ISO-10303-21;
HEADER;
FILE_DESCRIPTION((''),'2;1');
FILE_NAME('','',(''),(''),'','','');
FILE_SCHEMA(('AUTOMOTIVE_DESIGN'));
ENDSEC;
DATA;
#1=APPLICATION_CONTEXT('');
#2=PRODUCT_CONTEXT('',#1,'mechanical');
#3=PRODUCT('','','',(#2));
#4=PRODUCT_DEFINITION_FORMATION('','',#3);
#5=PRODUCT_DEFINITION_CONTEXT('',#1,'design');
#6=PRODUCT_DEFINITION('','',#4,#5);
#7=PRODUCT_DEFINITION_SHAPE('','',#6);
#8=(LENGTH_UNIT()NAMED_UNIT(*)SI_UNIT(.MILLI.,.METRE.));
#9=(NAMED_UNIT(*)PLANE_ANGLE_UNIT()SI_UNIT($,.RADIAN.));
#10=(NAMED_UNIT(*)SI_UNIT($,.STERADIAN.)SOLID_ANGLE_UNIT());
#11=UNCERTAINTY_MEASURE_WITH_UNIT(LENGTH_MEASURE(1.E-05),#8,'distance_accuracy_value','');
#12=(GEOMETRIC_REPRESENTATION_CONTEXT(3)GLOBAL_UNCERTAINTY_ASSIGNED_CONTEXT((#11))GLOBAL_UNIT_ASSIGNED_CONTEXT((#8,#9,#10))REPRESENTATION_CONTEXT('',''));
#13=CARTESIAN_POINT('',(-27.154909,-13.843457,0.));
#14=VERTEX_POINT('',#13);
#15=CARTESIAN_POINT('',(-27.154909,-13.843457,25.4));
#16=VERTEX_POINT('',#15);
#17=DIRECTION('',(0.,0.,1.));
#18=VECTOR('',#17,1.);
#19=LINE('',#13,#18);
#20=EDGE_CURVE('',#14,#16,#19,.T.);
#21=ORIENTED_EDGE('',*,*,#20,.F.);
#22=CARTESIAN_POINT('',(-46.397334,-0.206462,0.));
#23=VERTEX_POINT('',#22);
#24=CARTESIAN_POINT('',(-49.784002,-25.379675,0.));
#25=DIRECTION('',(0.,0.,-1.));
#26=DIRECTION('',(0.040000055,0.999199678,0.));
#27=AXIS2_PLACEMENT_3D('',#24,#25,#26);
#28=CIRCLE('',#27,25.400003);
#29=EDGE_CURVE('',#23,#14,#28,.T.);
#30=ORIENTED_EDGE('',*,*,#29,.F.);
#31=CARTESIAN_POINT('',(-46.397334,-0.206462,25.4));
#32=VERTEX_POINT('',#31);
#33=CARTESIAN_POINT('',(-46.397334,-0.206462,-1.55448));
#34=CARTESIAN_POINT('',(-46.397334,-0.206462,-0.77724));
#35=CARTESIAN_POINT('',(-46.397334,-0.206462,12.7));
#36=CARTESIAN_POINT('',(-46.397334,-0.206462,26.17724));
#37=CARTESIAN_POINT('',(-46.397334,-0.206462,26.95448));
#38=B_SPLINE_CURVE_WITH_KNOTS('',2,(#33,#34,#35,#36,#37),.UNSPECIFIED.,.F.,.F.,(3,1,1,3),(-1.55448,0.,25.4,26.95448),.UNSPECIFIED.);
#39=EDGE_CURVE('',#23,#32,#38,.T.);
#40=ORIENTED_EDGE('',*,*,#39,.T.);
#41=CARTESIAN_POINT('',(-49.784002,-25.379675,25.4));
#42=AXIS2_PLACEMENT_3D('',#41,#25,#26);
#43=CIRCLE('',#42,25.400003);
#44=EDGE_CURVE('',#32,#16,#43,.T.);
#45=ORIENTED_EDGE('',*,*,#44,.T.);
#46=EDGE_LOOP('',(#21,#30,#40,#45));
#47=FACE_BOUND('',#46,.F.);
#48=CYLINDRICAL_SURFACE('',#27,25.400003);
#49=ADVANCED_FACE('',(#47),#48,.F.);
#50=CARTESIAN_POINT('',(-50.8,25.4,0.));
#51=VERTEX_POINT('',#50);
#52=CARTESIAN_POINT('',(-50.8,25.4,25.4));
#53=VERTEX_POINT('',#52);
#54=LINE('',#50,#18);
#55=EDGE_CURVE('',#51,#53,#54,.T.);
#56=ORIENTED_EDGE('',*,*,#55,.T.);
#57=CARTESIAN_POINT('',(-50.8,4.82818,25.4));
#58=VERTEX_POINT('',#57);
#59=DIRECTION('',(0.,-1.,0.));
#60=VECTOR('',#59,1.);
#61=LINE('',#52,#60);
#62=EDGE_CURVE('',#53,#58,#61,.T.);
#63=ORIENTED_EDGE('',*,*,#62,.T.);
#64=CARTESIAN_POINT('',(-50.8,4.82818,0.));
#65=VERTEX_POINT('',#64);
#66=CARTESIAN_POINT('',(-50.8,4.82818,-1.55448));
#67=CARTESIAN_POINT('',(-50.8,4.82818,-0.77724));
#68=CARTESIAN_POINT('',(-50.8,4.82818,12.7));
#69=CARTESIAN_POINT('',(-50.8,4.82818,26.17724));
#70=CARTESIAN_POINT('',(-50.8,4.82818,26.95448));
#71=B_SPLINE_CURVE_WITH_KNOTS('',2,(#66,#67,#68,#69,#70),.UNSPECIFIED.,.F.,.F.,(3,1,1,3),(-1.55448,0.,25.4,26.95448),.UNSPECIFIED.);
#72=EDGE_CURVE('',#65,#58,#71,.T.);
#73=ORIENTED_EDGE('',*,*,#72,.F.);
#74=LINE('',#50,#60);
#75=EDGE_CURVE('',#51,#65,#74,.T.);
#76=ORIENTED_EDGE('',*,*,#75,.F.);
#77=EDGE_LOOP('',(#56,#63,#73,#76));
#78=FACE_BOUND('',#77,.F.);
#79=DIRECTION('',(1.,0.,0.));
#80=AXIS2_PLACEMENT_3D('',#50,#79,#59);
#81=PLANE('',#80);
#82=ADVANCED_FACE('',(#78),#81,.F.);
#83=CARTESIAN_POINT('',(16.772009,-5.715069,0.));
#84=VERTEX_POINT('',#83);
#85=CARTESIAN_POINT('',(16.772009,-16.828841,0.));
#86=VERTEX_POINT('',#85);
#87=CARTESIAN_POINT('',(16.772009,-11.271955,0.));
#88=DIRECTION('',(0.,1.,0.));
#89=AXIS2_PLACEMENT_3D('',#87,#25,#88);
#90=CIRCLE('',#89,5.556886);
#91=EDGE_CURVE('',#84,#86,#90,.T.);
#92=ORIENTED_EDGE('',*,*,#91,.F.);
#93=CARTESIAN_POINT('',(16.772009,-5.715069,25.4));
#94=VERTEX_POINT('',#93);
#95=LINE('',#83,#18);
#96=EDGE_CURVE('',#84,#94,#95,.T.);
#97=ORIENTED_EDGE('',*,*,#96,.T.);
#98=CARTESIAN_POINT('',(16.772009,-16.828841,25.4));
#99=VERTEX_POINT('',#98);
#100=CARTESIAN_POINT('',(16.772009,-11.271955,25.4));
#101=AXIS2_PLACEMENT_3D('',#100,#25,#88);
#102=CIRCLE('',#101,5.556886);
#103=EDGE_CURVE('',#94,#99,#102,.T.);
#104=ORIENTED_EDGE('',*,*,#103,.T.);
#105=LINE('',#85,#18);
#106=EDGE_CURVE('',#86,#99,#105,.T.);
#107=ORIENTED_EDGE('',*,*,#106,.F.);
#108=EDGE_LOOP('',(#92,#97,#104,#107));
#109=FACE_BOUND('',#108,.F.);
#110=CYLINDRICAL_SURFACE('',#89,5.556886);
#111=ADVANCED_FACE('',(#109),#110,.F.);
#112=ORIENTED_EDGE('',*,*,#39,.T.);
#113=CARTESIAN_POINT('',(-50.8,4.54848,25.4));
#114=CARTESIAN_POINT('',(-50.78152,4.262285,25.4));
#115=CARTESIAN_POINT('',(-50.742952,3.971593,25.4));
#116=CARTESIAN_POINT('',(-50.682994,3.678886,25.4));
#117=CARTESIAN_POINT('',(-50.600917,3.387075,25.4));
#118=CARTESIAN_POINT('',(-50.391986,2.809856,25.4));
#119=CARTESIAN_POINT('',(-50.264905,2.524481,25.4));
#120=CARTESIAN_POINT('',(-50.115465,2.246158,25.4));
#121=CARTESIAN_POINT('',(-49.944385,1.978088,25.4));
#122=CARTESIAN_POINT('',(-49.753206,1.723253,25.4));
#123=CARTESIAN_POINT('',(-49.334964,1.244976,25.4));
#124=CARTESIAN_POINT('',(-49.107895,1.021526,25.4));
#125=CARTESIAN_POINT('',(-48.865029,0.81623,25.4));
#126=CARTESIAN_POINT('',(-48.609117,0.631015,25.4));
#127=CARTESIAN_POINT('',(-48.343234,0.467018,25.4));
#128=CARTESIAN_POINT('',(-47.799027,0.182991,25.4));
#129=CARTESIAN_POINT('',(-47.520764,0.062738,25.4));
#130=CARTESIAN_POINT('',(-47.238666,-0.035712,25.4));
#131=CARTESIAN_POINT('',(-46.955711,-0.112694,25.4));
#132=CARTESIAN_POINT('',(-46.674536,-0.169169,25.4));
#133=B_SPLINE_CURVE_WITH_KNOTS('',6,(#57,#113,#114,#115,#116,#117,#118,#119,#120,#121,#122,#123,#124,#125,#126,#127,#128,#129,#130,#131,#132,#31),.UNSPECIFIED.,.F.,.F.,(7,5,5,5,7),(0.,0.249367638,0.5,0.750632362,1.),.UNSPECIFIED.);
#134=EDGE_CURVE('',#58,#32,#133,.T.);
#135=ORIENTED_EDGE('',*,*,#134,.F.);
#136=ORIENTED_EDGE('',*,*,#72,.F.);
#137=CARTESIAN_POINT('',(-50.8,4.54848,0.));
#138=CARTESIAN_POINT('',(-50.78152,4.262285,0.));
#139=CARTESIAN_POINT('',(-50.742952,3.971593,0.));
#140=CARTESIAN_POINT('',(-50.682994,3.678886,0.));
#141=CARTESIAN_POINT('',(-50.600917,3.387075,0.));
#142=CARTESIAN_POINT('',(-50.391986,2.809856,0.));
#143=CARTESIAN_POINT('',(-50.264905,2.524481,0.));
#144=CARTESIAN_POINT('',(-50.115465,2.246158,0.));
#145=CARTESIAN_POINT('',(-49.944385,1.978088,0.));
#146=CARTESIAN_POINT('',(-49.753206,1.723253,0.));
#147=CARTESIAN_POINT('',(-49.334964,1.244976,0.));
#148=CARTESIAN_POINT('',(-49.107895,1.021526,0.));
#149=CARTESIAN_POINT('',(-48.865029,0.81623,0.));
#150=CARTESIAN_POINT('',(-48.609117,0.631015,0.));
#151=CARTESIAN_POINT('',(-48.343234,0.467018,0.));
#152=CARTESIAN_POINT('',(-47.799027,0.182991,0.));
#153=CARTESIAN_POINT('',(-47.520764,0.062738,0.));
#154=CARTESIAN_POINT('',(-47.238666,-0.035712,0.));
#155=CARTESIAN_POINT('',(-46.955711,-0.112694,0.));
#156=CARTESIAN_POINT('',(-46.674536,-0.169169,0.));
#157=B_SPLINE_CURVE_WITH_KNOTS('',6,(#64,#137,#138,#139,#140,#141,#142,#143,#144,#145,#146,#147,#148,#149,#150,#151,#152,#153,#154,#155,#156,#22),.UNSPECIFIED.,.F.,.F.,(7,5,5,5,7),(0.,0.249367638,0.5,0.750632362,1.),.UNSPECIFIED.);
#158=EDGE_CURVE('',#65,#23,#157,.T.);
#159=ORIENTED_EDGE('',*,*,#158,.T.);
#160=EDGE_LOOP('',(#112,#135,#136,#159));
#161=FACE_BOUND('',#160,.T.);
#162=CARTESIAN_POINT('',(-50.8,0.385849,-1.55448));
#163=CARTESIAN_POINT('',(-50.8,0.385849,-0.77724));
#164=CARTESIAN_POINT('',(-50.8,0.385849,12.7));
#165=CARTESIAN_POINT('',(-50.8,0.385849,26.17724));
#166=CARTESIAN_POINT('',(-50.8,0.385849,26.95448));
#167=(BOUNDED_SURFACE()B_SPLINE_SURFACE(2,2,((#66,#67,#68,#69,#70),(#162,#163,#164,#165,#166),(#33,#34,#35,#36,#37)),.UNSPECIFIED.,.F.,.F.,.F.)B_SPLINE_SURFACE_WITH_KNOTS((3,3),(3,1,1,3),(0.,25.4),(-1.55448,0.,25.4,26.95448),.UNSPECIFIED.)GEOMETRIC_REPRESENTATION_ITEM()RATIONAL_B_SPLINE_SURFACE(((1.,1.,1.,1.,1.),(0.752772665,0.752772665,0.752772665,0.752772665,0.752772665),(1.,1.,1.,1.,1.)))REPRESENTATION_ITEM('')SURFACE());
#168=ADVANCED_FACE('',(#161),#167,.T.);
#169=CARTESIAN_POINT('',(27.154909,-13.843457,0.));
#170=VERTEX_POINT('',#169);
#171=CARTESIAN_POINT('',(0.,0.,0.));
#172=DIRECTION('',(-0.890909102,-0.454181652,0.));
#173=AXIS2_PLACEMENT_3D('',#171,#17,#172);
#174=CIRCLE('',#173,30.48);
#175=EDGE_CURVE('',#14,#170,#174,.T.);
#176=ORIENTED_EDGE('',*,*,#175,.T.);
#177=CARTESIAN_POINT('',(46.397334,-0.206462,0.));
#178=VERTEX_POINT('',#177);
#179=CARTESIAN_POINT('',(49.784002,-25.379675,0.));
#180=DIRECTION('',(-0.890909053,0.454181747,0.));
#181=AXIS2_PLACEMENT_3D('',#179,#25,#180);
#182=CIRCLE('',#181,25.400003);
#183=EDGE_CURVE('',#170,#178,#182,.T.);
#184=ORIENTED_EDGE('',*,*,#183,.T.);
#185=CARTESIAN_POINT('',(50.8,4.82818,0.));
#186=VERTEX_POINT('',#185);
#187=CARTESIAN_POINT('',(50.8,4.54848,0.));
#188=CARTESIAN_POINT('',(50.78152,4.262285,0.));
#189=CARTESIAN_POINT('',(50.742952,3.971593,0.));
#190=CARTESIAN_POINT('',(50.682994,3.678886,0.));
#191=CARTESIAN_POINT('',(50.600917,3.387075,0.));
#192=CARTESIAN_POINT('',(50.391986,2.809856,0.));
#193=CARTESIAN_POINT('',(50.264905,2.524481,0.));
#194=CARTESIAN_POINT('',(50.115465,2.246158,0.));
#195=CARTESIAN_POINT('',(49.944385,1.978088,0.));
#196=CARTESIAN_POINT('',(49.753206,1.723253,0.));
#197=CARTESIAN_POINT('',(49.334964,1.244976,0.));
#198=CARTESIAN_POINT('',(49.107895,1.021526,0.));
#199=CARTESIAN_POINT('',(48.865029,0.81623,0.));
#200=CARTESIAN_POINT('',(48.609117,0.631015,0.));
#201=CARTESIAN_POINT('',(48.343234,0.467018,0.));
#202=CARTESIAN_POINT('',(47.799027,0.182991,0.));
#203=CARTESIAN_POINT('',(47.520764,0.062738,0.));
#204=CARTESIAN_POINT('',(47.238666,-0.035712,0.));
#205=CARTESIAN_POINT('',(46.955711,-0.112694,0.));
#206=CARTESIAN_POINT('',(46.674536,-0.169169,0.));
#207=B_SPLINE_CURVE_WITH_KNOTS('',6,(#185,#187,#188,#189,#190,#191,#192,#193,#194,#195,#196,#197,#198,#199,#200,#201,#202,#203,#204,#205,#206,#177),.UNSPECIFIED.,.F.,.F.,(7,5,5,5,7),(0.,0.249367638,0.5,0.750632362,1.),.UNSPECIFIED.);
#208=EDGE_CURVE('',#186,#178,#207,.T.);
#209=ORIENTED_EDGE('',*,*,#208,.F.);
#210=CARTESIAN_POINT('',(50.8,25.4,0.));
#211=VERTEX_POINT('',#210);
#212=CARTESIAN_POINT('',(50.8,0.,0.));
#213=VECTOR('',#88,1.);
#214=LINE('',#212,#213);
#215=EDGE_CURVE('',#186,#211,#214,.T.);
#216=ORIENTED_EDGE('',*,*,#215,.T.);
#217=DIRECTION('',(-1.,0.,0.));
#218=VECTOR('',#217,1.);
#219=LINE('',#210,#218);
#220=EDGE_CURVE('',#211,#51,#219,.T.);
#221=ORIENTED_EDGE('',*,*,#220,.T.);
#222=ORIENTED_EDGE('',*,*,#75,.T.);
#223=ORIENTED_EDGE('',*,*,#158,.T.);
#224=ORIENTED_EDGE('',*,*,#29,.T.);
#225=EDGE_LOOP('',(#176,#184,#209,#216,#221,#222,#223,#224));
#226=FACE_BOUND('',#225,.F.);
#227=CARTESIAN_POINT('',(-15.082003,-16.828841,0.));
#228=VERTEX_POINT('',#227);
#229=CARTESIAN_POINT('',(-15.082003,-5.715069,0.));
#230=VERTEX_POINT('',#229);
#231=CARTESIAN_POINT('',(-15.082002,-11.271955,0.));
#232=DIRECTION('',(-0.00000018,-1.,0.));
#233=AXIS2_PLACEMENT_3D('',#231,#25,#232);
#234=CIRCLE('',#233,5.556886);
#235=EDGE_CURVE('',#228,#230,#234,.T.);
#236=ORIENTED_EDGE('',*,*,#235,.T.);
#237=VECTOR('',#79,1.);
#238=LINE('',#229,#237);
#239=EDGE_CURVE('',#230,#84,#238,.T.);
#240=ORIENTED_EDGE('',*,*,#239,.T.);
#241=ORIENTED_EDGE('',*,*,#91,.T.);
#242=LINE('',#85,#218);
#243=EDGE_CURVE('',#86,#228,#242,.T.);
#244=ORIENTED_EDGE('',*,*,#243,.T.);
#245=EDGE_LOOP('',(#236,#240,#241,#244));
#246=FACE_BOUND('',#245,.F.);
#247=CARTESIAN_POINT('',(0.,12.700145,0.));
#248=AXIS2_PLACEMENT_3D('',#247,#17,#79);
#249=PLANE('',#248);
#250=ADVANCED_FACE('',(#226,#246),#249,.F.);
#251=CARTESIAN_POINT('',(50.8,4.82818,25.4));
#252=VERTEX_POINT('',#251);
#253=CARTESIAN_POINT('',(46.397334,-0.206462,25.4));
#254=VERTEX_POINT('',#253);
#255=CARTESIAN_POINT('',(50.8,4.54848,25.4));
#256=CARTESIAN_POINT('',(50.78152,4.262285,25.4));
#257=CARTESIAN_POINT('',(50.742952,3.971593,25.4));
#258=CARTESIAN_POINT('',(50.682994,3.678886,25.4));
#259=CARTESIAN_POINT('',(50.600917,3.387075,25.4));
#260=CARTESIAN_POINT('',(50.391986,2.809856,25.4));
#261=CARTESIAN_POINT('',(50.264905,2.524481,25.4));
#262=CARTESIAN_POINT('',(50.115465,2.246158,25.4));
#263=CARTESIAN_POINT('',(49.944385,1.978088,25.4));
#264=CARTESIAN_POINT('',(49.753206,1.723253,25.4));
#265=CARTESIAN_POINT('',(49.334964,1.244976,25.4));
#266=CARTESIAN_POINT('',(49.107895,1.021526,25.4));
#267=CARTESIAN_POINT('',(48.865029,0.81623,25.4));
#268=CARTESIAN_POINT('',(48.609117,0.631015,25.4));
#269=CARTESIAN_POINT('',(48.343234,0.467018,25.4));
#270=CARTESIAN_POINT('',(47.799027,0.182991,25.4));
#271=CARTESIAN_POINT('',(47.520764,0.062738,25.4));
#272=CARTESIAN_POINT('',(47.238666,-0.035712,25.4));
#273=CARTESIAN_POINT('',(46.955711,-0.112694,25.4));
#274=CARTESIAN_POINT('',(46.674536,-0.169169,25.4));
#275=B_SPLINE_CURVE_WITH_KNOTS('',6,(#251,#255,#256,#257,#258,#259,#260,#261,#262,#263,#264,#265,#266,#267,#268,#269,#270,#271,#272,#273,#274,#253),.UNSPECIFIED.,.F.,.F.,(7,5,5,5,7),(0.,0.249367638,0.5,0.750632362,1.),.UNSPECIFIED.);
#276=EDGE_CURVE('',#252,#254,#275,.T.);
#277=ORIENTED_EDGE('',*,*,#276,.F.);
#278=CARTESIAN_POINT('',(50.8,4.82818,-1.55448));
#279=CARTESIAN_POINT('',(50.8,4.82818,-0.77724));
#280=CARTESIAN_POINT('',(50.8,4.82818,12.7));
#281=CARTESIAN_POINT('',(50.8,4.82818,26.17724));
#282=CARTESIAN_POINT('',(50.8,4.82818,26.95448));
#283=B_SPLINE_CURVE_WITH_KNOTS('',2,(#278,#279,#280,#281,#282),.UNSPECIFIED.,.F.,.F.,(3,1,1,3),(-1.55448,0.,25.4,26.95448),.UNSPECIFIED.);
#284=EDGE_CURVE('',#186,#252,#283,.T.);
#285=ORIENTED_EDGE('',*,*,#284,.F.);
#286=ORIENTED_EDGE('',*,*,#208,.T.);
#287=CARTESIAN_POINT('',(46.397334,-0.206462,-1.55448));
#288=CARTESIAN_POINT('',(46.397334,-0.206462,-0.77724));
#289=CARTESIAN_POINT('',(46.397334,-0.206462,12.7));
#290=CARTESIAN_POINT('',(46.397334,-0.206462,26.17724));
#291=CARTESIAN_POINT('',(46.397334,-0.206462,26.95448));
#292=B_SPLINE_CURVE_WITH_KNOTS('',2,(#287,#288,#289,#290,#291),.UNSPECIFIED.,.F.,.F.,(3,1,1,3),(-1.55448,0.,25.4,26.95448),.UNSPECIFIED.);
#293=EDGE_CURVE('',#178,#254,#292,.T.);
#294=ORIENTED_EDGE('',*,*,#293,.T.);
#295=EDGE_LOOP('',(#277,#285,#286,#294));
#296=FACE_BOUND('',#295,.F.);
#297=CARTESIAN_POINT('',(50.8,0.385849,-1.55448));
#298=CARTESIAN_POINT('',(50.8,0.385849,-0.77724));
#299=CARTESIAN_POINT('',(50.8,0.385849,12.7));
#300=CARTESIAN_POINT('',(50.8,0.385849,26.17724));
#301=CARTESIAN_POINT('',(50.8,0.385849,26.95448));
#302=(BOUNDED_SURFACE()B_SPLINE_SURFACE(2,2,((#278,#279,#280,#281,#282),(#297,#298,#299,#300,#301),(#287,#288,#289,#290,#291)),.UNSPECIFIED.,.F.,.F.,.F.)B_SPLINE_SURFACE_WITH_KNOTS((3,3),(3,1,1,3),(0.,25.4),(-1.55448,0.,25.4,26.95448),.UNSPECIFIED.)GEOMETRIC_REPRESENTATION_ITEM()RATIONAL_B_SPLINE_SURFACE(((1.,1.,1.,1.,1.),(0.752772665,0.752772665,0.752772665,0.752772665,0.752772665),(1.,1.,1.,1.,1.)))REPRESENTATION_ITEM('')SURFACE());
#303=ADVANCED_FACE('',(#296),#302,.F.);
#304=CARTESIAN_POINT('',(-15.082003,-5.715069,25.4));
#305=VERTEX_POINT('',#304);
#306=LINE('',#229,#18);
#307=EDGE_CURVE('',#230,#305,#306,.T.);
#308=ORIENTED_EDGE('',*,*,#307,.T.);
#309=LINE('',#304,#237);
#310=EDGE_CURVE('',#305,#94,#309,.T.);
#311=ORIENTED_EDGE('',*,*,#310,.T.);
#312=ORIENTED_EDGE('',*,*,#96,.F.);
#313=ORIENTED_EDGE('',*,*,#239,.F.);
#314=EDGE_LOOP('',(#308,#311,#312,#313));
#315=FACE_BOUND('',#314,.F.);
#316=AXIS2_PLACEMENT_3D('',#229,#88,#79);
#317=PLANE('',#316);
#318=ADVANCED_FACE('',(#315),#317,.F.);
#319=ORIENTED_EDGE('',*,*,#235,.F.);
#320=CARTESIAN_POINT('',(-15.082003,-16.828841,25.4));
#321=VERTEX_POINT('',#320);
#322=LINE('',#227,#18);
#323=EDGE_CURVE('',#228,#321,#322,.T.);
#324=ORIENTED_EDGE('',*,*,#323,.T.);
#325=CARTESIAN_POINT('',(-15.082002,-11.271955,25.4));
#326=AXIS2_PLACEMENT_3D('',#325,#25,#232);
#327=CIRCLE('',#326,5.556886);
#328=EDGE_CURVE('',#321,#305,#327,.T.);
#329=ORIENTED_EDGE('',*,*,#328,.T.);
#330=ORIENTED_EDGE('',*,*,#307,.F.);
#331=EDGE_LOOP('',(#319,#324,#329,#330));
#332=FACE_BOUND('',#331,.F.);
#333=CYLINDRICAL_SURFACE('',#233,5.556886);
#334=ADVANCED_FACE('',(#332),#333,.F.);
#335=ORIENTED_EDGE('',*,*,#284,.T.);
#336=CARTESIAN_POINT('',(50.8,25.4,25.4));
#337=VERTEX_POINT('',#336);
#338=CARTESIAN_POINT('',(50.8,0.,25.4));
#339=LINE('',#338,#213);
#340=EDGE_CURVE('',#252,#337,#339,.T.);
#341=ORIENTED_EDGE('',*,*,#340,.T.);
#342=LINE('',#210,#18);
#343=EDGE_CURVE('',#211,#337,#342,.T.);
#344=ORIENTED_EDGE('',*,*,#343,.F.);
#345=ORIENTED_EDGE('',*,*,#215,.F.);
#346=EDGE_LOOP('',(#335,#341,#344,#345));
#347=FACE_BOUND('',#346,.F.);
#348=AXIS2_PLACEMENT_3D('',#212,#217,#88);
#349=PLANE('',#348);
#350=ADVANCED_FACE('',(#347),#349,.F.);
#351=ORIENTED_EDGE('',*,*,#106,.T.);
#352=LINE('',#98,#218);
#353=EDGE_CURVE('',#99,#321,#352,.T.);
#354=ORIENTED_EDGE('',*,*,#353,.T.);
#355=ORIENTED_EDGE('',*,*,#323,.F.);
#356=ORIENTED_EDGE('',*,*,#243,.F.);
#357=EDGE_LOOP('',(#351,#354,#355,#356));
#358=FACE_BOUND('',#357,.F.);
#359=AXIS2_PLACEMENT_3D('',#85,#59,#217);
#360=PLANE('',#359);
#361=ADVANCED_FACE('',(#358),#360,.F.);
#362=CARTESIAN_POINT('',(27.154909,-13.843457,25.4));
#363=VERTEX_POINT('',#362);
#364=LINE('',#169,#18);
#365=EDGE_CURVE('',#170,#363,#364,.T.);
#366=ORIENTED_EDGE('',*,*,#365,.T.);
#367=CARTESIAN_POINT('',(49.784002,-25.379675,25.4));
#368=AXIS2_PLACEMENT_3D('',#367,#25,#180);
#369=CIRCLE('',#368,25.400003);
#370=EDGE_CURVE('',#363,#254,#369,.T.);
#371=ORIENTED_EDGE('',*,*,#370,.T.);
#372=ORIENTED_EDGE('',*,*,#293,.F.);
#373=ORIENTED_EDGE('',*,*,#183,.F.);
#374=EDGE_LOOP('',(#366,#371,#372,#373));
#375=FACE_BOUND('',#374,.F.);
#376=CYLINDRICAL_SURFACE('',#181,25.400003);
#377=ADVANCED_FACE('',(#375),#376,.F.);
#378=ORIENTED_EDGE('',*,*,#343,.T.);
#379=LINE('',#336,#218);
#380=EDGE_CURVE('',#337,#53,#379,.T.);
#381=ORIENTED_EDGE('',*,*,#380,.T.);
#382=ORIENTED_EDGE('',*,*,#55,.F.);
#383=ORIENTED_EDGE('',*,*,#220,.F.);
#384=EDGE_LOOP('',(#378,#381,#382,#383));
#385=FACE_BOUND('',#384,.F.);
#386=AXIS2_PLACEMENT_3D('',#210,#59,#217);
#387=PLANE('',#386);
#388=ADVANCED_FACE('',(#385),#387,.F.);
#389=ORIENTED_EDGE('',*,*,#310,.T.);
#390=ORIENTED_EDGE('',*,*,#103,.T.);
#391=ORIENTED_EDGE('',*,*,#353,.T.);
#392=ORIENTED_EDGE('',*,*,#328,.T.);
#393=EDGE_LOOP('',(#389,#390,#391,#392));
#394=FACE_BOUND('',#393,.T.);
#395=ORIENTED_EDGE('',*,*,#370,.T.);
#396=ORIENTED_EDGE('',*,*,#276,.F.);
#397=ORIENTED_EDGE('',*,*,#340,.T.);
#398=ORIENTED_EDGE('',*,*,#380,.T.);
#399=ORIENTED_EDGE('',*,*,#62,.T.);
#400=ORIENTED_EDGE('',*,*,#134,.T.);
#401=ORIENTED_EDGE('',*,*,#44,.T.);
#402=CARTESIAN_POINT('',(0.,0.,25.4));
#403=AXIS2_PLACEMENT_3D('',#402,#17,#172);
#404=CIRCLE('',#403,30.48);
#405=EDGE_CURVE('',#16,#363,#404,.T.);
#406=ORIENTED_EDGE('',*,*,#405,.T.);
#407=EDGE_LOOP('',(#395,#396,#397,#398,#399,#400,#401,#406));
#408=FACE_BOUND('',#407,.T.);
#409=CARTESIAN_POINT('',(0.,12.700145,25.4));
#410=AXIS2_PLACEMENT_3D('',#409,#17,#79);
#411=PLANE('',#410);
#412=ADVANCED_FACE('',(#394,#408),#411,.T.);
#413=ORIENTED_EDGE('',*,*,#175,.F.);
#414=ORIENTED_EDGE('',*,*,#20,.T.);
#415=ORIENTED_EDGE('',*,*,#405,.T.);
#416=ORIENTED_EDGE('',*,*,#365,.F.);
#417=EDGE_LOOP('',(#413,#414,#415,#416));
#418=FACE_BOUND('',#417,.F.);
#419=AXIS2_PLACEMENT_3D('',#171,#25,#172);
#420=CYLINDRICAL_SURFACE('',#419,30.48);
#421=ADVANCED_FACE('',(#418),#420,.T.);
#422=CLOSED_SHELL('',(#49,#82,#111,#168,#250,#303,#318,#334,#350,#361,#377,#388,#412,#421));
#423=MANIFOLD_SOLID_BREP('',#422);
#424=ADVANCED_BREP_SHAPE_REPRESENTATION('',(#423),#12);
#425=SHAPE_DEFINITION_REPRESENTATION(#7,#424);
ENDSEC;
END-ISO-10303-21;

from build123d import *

# Parameters (mm, degrees)
F1_DEPTH = 25.4
F2_R     = 5.08


with BuildPart() as f1:
    # F0 (on Top) → F1 (new body)
    with BuildSketch(Plane.XY):
        with BuildLine():
            Line((50.8, 25.4), (-50.8, 25.4))
            Line((-50.8, 25.4), (-50.8, 0))
            ThreePointArc((-50.8, 0), (-49.784, 0.020328), (-48.768, 0))
            Line((-48.768, 0), (48.768, 0))
            ThreePointArc((48.768, 0), (49.784, 0.020328), (50.8, 0))
            Line((50.8, 0), (50.8, 25.4))
        make_face()
        with BuildLine():
            ThreePointArc((-48.768, 0), (-49.784, 0.020328), (-50.8, 0))
            Line((-50.8, 0), (-48.768, 0))
        make_face()
        with BuildLine():
            Line((48.768, 0), (50.8, 0))
            ThreePointArc((50.8, 0), (49.784, 0.020328), (48.768, 0))
        make_face()
        with BuildLine():
            Line((48.768, 0), (-48.768, 0))
            ThreePointArc((-48.768, 0), (-36.084259, -3.990958), (-27.154909, -13.843457))
            ThreePointArc((-27.154909, -13.843457), (0, -30.48), (27.154909, -13.843457))
            ThreePointArc((27.154909, -13.843457), (36.084259, -3.990958), (48.768, 0))
        make_face()
        with BuildLine():
            ThreePointArc((-15.082003, -16.828841), (-20.638888, -11.271955), (-15.082003, -5.715069))
            Line((-15.082003, -5.715069), (16.772009, -5.715069))
            ThreePointArc((16.772009, -5.715069), (22.328895, -11.271955), (16.772009, -16.828841))
            Line((16.772009, -16.828841), (-15.082003, -16.828841))
        make_face(mode=Mode.SUBTRACT)
    extrude(amount=F1_DEPTH)

    # F2
    f2_edges = [f1.edges().sort_by_distance(p)[0] for p in [
        (-50.8, 0, 12.7),
        (50.8, 0, 12.7),
    ]]
    fillet(f2_edges, radius=F2_R)


solid = f1.part
